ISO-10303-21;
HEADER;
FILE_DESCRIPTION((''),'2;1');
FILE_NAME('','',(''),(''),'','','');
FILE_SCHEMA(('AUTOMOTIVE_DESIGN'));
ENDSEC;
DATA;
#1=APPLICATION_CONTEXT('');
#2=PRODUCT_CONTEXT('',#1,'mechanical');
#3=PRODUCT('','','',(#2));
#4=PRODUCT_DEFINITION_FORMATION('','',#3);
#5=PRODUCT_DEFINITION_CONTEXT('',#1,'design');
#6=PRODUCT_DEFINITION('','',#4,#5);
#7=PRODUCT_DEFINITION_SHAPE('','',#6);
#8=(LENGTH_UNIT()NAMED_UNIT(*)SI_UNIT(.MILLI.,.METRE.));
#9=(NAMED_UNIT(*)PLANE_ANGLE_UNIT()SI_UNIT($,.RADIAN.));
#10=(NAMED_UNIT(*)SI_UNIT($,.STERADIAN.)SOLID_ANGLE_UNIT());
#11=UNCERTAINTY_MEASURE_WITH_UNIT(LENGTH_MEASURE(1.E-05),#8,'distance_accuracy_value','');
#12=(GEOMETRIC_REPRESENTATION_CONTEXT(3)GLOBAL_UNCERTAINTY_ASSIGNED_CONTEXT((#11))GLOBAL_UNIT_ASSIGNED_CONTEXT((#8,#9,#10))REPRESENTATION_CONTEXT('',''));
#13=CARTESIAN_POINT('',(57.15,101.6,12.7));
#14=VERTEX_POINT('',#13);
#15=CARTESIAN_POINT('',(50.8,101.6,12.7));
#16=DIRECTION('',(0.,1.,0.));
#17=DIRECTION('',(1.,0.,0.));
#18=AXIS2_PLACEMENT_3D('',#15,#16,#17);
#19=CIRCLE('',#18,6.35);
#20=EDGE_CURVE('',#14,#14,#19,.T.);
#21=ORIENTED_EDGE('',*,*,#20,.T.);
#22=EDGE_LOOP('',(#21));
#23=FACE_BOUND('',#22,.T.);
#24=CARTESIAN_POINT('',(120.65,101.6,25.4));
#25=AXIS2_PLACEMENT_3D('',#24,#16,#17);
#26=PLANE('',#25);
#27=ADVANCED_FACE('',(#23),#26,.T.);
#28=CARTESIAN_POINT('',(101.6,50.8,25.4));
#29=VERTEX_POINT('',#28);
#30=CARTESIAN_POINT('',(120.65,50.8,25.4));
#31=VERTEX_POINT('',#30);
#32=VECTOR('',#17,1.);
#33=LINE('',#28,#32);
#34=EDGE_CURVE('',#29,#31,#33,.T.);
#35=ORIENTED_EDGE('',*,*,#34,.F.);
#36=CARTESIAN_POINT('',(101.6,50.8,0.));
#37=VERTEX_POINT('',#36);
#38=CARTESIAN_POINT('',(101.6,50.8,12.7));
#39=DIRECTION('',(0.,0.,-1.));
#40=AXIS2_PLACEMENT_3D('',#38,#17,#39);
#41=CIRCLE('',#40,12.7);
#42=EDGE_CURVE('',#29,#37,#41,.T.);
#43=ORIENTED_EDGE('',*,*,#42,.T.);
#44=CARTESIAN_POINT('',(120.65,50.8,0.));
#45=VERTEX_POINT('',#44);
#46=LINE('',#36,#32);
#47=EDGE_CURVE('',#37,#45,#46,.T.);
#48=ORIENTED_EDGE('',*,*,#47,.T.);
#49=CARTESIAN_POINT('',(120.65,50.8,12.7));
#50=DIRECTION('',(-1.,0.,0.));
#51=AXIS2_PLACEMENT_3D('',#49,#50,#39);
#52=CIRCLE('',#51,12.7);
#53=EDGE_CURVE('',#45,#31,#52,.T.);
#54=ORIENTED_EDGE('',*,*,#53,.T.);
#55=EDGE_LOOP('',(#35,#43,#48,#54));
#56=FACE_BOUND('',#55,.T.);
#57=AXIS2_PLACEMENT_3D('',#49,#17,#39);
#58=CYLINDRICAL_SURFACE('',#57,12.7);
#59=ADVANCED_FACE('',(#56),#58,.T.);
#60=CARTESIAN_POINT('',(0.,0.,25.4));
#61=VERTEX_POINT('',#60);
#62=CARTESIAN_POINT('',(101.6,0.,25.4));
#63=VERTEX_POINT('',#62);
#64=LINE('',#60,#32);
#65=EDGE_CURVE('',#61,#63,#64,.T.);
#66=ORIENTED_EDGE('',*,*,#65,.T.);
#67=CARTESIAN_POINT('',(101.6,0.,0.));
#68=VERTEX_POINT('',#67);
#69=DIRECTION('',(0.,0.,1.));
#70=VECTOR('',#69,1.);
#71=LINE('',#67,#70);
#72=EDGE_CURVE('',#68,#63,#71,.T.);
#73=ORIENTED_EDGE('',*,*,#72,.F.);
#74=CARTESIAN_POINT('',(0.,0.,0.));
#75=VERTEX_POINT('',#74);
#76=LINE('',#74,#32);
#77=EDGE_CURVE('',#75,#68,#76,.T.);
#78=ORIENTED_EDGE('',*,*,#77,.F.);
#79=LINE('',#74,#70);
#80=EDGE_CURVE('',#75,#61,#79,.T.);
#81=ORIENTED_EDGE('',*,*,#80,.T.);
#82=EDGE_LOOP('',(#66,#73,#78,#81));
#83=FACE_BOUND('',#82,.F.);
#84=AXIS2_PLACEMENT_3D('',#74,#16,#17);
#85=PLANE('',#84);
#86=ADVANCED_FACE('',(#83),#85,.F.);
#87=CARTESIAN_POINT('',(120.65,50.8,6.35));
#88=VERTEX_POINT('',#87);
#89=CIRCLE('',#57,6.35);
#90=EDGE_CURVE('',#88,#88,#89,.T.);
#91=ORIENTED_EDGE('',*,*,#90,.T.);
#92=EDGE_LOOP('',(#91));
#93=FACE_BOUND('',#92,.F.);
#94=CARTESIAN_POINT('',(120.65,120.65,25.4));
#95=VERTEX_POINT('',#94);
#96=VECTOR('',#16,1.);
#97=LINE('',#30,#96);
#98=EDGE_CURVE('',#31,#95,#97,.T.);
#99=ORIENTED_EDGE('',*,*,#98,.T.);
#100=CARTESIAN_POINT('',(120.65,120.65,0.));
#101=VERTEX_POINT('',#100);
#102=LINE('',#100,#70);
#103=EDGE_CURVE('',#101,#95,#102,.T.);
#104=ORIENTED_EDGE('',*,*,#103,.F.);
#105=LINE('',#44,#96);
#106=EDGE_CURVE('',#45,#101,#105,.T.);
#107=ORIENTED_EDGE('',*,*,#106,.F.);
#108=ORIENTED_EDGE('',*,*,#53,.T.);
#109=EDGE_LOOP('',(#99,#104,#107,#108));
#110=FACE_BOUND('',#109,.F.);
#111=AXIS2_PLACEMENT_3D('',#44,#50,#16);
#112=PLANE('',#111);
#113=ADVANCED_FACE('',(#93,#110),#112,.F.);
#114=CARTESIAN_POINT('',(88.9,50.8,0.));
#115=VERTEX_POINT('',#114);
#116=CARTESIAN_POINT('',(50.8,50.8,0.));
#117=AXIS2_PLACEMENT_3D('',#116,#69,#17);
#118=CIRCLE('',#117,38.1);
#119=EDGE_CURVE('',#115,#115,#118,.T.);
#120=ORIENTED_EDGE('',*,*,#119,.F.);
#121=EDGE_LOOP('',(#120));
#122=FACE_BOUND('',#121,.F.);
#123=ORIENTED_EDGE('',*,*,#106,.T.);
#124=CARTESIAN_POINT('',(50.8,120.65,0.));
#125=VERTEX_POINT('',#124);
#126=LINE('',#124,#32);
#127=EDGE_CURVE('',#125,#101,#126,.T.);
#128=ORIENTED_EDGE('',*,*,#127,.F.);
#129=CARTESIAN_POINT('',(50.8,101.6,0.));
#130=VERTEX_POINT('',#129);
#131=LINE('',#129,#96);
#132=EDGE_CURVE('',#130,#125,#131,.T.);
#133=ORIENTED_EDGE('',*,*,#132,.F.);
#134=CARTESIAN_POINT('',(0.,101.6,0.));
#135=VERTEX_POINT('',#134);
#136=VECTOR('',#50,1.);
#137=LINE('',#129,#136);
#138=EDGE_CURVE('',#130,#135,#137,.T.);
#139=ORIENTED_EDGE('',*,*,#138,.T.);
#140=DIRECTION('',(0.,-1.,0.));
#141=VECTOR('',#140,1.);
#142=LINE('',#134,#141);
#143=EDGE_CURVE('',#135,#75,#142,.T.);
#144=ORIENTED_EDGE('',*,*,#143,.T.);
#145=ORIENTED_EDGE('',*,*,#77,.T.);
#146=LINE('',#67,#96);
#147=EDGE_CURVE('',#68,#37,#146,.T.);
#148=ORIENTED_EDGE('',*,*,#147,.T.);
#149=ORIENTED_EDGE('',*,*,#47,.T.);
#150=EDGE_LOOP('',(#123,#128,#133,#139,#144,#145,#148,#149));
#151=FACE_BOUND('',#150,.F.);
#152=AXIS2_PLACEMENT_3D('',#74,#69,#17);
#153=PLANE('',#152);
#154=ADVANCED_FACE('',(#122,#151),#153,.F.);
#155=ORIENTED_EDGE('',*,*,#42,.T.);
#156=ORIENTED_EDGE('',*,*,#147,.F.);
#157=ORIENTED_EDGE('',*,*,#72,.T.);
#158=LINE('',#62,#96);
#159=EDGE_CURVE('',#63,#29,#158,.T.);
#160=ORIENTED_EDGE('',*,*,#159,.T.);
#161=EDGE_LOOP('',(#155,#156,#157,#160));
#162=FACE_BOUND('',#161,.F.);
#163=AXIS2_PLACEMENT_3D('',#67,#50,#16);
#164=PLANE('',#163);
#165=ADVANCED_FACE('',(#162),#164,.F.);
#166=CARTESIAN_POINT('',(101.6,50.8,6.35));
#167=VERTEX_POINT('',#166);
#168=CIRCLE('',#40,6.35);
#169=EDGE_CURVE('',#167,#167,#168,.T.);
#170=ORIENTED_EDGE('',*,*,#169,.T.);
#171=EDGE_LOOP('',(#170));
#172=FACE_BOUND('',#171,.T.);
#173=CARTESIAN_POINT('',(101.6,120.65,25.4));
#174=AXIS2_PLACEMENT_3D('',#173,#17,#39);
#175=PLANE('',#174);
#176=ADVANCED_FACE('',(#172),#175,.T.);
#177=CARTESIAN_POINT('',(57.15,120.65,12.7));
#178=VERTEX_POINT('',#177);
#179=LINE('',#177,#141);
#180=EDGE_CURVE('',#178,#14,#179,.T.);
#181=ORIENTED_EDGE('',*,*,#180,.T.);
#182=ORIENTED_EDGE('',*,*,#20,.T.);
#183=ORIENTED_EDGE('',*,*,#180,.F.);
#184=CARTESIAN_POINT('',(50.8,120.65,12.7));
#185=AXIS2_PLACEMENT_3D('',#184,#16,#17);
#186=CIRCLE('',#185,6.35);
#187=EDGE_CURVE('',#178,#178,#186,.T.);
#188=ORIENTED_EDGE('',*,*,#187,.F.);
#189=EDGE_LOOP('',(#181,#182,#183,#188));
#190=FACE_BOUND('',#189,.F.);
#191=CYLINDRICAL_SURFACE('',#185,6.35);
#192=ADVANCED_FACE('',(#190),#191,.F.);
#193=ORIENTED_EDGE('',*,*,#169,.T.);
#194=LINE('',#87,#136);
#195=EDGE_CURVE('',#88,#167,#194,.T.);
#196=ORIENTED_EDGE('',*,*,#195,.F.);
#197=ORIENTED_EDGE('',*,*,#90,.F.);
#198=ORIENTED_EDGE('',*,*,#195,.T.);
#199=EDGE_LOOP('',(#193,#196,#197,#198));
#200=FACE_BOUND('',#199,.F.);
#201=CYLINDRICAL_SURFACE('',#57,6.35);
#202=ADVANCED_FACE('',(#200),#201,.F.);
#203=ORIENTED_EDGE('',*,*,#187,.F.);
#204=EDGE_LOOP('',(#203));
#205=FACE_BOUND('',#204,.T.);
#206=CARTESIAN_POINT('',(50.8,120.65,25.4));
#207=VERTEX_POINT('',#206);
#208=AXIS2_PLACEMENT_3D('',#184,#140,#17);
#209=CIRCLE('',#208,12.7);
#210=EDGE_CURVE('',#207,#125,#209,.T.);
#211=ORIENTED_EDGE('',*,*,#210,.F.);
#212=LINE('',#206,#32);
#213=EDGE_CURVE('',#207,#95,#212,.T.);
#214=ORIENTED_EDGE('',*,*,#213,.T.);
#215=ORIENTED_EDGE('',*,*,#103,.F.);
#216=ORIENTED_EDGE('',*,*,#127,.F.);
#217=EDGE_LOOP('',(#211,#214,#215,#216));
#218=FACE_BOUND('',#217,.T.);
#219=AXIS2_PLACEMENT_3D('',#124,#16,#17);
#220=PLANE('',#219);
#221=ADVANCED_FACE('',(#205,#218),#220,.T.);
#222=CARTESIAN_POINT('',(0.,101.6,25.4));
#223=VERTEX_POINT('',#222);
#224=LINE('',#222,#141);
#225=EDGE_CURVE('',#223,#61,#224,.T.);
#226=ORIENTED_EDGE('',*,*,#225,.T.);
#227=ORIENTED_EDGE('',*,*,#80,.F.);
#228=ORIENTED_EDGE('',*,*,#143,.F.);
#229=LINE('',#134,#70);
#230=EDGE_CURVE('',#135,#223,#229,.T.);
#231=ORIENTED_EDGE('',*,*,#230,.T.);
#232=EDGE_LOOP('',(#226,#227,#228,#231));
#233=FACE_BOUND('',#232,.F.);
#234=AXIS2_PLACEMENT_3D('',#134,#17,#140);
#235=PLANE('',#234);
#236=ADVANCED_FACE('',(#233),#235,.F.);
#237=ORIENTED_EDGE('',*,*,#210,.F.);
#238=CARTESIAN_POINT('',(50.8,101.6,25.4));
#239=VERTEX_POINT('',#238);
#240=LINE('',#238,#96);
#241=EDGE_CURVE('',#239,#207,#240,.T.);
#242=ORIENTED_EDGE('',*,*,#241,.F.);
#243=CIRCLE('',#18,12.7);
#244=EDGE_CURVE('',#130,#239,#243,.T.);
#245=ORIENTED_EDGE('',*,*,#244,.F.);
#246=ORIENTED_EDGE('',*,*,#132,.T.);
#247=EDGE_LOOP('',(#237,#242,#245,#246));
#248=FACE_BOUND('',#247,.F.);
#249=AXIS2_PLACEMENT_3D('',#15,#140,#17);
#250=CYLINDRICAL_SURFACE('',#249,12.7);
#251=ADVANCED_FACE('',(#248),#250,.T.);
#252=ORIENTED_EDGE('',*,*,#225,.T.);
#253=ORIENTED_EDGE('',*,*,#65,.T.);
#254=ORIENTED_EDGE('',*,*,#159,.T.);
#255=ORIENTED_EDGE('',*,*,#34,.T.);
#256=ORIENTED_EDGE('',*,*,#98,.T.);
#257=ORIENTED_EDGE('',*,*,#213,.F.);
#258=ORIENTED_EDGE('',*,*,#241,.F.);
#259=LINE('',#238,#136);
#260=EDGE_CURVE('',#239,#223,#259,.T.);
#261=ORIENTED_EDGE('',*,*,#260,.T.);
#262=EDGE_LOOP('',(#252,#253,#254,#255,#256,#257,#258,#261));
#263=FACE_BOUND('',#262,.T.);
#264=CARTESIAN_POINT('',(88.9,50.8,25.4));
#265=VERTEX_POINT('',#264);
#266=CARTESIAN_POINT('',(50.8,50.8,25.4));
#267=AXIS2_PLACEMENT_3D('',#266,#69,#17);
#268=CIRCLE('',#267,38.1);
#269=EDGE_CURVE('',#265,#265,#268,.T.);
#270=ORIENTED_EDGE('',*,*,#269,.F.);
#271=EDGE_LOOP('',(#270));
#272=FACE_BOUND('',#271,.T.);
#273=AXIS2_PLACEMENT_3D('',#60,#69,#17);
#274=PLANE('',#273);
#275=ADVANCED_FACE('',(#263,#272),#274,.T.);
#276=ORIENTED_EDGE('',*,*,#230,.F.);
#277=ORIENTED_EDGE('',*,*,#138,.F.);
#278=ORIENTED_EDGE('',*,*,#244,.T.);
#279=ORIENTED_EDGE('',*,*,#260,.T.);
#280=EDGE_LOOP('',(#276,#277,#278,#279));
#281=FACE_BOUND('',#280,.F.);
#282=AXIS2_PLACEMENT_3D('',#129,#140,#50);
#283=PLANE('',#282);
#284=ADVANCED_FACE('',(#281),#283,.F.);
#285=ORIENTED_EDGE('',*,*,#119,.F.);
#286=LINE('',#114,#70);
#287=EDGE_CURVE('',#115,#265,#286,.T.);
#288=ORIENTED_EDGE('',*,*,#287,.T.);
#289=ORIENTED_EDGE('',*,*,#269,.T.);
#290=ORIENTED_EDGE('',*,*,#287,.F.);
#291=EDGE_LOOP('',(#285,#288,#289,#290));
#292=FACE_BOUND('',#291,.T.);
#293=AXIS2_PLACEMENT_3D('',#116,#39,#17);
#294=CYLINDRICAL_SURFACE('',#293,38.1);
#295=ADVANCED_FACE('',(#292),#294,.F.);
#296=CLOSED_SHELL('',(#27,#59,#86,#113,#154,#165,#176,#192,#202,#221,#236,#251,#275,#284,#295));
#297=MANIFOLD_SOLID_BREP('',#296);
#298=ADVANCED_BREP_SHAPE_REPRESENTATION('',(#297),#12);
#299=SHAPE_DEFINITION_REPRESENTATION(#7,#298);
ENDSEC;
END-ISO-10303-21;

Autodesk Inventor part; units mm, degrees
ref_plane "YZ Plane" through (0, 0, 0) normal (1, 0, 0) x (0, 1, 0)
ref_plane "XZ Plane" through (0, 0, 0) normal (0, 1, 0) x (-1, 0, 0)
ref_plane "XY Plane" through (0, 0, 0) normal (0, 0, 1) x (1, 0, 0)
sketch "Sketch1" plane through (0, 0, 0) normal (0, 0, 1) x (1, 0, 0)
  line L0 (0, 0) -> (101.6, 0)
  line L1 (101.6, 0) -> (101.6, 50.8)
  line L2 (50.8, 101.6) -> (0, 101.6)
  line L3 (0, 101.6) -> (0, 0)
  circle A0 centre (50.8, 50.8) radius 38.1
  line L4 (50.8, 101.6) -> (50.8, 120.65)
  line L5 (50.8, 120.65) -> (120.65, 120.65)
  line L6 (101.6, 50.8) -> (120.65, 50.8)
  line L7 (120.65, 50.8) -> (120.65, 120.65)
  dimension "d0" = 101.6
  dimension "d1" = 101.6
  dimension "d6" = 76.2
  dimension "d7" = 50.8
  dimension "d8" = 50.8
  dimension "d9" = 19.05
  dimension "d10" = 19.05
extrude "Extrusion1" add sketch "Sketch1" along normal blind 25.4
sketch "Sketch2" plane through (0, 101.6, 0) normal (0, 1, 0) x (1, 0, 0)
  line L0 (50.8, 0) -> (0, 0) projected
  circle A0 centre (50.8, -12.7) radius 12.7
  line L1 (50.8, -25.4) -> (0, -25.4) projected
  line L2 (50.8, 0) -> (50.8, -25.4) projected
  dimension "d16" = 25.4
  dimension "d17" = 0
extrude "Extrusion2" add sketch "Sketch2" along normal blind 19.05
sketch "Sketch3" plane through (120.65, 120.65, 25.4) normal (0, 1, 0) x (1, 0, 0)
  arc A0 (-69.85, 25.4) -> (-69.85, 0) centre (-69.85, 12.7) ccw projected
  circle A1 centre (-69.85, 12.7) radius 6.35
  point P0 (-120.65, 25.4)
  dimension "d21" = 12.7
extrude "Extrusion3" cut sketch "Sketch3" against normal blind 19.05
sketch "Sketch4" plane through (120.65, 50.8, 0) normal (1, 0, 0) x (0, 0, -1)
  circle A0 centre (-12.7, 0) radius 12.7
  line L0 (0, -50.8) -> (0, 0) projected
  line L1 (0, 0) -> (-25.4, 0) projected
  dimension "d24" = 25.4
  dimension "d25" = 0
extrude "Extrusion4" add sketch "Sketch4" against normal blind 19.05
sketch "Sketch5" plane through (120.65, 120.65, 25.4) normal (1, 0, 0) x (0, 0, -1)
  arc A0 (0, -69.85) -> (25.4, -69.85) centre (12.7, -69.85) ccw projected
  circle A1 centre (12.7, -69.85) radius 6.35
  point P0 (25.4, -120.65)
  dimension "d28" = 12.7
extrude "Extrusion5" cut sketch "Sketch5" against normal blind 19.05
equation "\"d1\" = d0"
equation "\"d6\" = 0.75 * d0"
equation "\"d7\" = d8"
equation "\"d8\" = 0.5 * d0"
equation "\"d21\" = 0.5 * d16"
equation "\"d24\" = d16"
equation "\"d28\" = d21"
properties part number "HW 5 Part 5"
